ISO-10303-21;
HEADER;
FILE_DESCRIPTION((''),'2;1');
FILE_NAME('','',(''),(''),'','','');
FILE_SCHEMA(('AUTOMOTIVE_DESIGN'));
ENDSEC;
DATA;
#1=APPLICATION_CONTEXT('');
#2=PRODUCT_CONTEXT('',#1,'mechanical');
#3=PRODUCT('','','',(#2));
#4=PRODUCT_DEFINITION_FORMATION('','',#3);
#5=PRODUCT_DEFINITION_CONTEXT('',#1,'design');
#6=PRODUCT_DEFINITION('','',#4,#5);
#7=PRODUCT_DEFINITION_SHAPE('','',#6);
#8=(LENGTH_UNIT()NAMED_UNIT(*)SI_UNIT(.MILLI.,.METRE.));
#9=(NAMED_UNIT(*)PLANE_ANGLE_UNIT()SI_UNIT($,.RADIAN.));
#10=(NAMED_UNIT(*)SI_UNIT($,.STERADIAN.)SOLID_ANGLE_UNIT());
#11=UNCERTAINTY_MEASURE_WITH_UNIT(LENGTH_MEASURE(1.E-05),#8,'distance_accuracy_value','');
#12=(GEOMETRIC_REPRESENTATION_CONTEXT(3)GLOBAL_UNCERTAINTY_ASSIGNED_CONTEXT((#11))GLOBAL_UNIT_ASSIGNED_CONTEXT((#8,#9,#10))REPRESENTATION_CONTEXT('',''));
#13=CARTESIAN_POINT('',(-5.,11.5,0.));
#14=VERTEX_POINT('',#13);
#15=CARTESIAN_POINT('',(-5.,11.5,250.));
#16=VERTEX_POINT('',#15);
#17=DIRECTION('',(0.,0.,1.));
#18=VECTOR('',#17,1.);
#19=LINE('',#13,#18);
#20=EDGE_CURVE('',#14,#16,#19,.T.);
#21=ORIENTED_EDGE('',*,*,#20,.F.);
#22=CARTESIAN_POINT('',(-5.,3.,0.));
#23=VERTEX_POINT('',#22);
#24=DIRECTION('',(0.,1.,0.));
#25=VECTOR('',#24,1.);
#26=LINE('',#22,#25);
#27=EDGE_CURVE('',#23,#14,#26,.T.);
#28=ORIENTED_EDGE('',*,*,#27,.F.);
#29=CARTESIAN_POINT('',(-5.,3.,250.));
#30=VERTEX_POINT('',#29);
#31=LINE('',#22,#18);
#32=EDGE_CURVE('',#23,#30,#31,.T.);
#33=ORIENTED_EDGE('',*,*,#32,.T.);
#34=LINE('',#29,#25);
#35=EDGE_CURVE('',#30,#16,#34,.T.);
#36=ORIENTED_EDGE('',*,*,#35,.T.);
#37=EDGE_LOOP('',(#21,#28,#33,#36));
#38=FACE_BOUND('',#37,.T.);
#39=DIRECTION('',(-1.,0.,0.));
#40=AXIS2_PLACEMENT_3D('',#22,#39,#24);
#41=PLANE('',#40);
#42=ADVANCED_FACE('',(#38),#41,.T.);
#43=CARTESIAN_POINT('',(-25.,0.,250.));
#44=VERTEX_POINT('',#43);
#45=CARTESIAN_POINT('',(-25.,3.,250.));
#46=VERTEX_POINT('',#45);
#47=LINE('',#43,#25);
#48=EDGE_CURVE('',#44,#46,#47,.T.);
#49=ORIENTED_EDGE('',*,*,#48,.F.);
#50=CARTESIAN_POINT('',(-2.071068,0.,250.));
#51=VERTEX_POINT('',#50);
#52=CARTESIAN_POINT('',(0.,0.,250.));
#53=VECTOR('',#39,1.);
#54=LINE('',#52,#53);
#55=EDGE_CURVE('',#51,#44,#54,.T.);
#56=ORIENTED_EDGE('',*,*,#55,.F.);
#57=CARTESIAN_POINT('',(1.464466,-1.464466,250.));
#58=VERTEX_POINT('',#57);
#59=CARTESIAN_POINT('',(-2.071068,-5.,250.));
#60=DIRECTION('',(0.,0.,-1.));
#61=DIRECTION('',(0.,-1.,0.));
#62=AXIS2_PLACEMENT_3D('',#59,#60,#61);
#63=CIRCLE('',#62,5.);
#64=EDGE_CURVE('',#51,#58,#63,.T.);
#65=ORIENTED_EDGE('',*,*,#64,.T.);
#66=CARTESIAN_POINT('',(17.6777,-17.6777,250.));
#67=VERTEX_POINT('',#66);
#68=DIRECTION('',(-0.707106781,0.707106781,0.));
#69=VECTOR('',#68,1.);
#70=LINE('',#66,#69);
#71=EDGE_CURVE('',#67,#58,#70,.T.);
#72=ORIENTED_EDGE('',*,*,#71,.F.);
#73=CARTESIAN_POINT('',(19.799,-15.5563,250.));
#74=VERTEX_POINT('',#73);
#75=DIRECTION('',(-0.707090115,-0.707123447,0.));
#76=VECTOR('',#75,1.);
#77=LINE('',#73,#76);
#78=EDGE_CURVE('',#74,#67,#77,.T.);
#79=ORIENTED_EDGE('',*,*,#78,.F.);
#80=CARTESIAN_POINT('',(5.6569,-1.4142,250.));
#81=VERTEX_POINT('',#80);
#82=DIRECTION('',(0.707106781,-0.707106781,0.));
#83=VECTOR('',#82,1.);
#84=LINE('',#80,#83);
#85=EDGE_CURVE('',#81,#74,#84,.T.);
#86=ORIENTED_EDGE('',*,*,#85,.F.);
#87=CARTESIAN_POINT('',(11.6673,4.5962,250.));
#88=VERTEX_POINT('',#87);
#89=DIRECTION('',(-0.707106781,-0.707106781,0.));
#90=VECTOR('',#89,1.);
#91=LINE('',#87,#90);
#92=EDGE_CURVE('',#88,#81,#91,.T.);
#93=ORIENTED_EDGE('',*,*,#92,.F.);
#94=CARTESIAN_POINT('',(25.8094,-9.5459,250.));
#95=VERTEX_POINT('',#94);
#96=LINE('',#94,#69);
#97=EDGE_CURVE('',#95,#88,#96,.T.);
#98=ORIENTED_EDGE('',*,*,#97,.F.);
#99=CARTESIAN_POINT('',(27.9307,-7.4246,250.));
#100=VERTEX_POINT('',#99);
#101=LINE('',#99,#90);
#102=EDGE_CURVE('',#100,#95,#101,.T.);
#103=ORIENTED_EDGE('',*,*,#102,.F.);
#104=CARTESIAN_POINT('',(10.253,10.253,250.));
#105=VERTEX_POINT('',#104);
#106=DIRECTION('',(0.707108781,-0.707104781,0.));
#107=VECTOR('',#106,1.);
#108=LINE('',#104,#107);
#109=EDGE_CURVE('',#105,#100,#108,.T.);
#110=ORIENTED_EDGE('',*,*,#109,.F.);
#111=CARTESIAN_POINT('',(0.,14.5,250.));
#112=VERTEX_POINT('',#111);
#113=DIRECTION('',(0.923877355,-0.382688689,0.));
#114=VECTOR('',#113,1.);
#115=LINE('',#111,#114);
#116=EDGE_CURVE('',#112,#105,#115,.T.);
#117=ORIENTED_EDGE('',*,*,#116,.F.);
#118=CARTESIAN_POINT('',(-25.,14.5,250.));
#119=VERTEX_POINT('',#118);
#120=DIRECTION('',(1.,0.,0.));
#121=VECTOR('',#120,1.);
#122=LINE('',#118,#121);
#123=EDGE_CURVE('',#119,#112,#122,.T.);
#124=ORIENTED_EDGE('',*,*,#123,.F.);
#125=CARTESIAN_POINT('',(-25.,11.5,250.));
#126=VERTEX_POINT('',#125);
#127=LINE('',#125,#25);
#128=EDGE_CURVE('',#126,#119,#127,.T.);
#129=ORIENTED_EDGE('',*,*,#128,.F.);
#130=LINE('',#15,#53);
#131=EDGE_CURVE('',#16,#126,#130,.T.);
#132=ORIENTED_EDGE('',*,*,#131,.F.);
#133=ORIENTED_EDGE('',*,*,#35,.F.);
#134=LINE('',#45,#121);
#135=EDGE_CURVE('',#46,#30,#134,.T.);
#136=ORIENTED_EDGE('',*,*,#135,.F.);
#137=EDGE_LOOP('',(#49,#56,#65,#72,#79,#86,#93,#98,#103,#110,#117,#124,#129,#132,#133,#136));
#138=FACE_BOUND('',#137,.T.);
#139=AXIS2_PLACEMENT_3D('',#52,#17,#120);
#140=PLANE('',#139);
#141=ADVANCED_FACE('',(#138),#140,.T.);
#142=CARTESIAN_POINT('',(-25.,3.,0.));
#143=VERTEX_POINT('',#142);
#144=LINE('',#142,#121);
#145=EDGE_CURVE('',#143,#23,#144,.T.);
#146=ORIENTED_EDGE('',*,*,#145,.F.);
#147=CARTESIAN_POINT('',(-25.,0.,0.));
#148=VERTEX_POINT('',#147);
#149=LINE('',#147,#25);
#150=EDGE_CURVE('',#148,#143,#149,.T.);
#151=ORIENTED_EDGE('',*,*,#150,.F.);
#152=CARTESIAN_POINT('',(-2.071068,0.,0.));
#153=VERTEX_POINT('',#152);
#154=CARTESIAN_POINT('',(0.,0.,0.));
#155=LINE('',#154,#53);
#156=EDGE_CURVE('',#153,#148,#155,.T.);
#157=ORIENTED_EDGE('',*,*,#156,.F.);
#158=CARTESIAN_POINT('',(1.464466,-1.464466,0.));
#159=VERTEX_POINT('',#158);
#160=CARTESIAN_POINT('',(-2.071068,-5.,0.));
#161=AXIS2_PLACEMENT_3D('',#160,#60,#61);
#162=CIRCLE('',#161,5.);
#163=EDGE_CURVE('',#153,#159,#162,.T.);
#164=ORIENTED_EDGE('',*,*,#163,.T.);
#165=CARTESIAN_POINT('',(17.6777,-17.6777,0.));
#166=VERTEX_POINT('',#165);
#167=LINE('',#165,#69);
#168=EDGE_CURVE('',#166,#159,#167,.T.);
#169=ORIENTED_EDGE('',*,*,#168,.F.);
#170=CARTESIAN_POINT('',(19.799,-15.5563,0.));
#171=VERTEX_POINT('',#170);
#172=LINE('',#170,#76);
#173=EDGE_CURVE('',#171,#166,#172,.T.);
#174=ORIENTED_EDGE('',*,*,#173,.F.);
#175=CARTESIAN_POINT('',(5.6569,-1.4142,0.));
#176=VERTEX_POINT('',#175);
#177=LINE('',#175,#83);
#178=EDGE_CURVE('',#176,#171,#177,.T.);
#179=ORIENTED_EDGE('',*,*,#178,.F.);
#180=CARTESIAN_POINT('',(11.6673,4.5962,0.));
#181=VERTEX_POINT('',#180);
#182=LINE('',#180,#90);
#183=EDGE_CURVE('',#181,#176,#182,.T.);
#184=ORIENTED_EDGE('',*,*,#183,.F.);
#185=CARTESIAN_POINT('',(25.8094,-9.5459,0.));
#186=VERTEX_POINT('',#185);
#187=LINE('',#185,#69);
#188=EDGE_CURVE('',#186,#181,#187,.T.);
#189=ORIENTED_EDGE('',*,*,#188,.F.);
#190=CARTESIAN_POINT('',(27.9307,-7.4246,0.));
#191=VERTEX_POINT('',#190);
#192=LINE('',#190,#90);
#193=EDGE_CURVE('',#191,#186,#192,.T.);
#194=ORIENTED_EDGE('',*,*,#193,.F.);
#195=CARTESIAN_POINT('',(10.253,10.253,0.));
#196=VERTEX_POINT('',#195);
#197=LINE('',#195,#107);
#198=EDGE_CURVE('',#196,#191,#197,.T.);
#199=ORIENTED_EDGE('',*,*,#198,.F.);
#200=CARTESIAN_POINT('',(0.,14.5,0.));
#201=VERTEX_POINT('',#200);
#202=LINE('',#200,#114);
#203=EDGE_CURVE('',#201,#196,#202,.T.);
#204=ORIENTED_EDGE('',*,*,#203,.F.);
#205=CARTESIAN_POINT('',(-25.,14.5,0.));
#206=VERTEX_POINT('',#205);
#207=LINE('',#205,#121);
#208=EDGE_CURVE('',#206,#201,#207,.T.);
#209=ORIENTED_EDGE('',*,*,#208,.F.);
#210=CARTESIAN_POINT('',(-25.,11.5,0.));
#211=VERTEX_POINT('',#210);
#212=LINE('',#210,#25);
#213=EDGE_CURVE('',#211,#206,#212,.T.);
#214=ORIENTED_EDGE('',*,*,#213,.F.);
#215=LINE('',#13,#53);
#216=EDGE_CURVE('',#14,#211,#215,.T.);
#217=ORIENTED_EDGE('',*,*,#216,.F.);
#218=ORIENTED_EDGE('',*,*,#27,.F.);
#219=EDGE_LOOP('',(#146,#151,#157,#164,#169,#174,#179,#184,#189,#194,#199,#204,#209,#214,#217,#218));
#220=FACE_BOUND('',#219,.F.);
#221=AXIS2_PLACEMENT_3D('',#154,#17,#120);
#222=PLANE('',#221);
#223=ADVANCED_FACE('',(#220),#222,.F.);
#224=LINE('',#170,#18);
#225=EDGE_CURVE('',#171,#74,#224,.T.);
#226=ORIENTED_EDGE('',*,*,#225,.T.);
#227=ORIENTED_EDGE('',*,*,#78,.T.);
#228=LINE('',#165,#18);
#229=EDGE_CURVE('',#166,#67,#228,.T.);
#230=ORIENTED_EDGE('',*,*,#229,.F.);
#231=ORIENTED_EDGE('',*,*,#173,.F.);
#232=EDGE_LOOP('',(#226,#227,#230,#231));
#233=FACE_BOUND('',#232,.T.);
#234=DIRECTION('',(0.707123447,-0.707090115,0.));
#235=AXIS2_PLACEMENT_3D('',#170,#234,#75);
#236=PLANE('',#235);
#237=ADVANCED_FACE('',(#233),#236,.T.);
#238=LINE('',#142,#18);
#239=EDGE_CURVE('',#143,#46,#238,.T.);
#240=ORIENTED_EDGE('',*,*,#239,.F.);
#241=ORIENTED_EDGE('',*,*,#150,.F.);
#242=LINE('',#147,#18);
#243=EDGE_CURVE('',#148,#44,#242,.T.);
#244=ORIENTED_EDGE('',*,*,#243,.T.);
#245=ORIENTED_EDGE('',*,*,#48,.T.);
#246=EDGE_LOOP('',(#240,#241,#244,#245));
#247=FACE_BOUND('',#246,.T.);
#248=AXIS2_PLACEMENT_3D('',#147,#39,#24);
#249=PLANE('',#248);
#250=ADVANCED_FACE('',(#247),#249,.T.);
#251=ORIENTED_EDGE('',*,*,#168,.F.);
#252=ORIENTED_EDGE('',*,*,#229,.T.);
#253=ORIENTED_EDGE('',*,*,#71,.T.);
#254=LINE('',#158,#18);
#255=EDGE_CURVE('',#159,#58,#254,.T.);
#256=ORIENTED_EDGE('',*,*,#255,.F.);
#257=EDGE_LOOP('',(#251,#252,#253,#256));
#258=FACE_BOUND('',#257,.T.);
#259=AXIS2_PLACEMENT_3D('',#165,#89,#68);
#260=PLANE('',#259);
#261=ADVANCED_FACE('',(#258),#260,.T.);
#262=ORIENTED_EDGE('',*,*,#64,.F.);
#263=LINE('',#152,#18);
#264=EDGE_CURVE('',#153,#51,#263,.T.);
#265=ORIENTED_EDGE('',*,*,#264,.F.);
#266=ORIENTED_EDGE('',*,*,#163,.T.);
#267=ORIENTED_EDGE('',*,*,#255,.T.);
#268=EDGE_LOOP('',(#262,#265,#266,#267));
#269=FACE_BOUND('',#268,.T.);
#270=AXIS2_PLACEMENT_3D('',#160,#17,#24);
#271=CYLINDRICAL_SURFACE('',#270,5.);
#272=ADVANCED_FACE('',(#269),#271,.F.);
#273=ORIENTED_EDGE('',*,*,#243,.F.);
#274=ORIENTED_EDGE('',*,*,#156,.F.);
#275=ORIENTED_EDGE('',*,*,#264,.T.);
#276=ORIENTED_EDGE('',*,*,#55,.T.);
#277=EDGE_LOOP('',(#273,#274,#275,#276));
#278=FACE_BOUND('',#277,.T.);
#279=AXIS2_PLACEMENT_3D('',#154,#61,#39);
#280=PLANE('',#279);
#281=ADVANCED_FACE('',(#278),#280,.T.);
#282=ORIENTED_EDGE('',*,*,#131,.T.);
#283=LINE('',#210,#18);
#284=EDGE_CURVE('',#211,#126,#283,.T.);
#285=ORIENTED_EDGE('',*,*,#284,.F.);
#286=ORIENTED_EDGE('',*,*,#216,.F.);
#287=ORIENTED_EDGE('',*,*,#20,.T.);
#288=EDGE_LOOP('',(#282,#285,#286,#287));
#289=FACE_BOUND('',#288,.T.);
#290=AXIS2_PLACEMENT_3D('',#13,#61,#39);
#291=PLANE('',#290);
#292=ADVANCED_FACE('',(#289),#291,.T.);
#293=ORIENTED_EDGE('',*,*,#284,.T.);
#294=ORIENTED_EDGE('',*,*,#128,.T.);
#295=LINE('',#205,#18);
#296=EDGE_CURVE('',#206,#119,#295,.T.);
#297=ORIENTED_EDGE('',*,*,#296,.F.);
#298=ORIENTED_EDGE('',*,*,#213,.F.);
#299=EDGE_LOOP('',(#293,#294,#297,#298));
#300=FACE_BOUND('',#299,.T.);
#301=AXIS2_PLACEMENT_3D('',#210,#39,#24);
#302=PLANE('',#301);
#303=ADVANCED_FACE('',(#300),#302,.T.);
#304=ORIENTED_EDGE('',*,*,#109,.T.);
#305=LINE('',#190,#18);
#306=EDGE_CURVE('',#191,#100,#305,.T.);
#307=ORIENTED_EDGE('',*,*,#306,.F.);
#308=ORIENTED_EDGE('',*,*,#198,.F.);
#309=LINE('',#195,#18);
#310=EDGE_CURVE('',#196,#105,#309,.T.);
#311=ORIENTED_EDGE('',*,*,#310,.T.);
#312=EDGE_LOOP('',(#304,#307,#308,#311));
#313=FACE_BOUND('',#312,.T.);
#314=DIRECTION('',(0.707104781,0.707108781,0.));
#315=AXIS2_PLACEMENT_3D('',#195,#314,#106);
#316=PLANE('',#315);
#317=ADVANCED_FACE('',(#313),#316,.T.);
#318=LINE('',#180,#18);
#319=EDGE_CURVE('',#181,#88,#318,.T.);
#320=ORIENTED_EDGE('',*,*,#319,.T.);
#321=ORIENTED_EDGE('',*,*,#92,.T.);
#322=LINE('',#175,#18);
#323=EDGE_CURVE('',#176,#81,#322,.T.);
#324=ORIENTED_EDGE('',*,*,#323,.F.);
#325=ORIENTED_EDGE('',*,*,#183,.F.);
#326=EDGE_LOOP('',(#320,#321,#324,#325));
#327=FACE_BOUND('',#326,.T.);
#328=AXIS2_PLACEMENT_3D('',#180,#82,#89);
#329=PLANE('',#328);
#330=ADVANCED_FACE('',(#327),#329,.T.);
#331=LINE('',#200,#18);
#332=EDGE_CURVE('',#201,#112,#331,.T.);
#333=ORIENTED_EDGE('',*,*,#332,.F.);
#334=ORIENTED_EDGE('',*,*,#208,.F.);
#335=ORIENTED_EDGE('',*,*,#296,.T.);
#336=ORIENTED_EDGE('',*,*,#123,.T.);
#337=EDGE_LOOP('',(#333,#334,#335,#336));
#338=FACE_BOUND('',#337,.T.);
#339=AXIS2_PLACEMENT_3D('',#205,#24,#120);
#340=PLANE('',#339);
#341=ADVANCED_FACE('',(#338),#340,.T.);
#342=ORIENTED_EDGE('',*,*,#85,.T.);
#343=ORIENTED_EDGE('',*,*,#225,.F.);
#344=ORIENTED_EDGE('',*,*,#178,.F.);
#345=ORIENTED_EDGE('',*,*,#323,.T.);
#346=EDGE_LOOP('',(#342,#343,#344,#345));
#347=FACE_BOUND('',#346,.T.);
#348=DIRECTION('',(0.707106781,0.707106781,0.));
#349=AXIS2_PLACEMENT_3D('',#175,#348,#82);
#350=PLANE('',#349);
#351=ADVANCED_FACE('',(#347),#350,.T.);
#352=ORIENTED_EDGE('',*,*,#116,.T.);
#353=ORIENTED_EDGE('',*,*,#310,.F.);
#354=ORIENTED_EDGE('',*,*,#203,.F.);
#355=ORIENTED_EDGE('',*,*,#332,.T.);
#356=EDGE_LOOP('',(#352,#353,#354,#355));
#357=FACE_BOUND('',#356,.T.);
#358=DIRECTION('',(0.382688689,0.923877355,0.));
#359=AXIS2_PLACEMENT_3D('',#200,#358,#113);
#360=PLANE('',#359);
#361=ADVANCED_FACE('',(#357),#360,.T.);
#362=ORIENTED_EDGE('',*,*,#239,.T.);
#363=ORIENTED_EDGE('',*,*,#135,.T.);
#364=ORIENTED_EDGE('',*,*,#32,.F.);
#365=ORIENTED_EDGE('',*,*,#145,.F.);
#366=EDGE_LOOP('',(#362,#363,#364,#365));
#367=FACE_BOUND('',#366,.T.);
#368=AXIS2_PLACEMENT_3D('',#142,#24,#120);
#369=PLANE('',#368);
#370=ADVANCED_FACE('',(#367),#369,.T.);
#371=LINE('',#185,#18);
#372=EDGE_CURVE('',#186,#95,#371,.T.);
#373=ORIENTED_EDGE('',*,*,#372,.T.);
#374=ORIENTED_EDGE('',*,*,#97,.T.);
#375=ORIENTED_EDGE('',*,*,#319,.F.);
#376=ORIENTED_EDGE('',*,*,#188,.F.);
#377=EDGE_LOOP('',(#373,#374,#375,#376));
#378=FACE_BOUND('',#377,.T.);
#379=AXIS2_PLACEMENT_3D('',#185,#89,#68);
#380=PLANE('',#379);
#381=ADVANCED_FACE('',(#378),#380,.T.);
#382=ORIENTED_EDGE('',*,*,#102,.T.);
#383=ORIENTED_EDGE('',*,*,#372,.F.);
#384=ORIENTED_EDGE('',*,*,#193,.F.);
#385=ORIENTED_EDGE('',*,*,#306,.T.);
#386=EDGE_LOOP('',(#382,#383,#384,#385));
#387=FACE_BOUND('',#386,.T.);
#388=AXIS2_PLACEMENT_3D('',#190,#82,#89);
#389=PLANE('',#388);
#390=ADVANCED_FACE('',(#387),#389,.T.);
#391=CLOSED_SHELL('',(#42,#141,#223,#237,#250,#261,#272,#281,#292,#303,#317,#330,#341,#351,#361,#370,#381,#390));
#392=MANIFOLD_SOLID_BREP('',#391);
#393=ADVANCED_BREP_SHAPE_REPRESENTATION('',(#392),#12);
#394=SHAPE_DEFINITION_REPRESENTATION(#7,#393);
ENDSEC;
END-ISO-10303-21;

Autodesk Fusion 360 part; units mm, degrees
sketch "Schizzo1" plane through (0, 0, 0) normal (0, 0, 1) x (1, 0, 0)
  line L0 (0, 0) -> (-25, 0)
  line L1 (-25, 0) -> (-25, 3)
  line L2 (-25, 3) -> (-5, 3)
  line L3 (-5, 3) -> (-5, 11.5)
  line L4 (-5, 11.5) -> (-25, 11.5)
  line L5 (-25, 11.5) -> (-25, 14.5)
  line L6 (-25, 14.5) -> (0, 14.5)
  line L7 (0, 14.5) -> (0, 0)
  line L8 (10.253, 10.253) -> (27.9307, -7.4246)
  line L9 (11.6673, 4.5962) -> (5.6569, -1.4142)
  line L10 (0, 0) -> (10.253, 10.253)
  line L11 (17.6777, -17.6777) -> (0, 0)
  line L12 (5.6569, -1.4142) -> (19.799, -15.5563)
  line L13 (27.9307, -7.4246) -> (25.8094, -9.5459)
  line L14 (19.799, -15.5563) -> (17.6777, -17.6777)
  line L15 (25.8094, -9.5459) -> (11.6673, 4.5962)
  line L16 (0, 14.5) -> (10.253, 10.253)
  point P0 (10.253, 10.253)
  dimension "d2" = 8.5
  dimension "d3" = 3
  dimension "d4" = 3
  dimension "d5" = 25
  dimension "d6" = 25
  dimension "d7" = 20
  dimension "d8" = 8.5
  dimension "d9" = 3
  dimension "d10" = 3
  dimension "d11" = 25
  dimension "d12" = 25
  dimension "d13" = 20
  dimension "d16" = 45
extrude "Estrusione1" add sketch "Schizzo1" along normal blind 250
fillet "Raccordo1" radius 5 1 edges at (0, 0, 125)
